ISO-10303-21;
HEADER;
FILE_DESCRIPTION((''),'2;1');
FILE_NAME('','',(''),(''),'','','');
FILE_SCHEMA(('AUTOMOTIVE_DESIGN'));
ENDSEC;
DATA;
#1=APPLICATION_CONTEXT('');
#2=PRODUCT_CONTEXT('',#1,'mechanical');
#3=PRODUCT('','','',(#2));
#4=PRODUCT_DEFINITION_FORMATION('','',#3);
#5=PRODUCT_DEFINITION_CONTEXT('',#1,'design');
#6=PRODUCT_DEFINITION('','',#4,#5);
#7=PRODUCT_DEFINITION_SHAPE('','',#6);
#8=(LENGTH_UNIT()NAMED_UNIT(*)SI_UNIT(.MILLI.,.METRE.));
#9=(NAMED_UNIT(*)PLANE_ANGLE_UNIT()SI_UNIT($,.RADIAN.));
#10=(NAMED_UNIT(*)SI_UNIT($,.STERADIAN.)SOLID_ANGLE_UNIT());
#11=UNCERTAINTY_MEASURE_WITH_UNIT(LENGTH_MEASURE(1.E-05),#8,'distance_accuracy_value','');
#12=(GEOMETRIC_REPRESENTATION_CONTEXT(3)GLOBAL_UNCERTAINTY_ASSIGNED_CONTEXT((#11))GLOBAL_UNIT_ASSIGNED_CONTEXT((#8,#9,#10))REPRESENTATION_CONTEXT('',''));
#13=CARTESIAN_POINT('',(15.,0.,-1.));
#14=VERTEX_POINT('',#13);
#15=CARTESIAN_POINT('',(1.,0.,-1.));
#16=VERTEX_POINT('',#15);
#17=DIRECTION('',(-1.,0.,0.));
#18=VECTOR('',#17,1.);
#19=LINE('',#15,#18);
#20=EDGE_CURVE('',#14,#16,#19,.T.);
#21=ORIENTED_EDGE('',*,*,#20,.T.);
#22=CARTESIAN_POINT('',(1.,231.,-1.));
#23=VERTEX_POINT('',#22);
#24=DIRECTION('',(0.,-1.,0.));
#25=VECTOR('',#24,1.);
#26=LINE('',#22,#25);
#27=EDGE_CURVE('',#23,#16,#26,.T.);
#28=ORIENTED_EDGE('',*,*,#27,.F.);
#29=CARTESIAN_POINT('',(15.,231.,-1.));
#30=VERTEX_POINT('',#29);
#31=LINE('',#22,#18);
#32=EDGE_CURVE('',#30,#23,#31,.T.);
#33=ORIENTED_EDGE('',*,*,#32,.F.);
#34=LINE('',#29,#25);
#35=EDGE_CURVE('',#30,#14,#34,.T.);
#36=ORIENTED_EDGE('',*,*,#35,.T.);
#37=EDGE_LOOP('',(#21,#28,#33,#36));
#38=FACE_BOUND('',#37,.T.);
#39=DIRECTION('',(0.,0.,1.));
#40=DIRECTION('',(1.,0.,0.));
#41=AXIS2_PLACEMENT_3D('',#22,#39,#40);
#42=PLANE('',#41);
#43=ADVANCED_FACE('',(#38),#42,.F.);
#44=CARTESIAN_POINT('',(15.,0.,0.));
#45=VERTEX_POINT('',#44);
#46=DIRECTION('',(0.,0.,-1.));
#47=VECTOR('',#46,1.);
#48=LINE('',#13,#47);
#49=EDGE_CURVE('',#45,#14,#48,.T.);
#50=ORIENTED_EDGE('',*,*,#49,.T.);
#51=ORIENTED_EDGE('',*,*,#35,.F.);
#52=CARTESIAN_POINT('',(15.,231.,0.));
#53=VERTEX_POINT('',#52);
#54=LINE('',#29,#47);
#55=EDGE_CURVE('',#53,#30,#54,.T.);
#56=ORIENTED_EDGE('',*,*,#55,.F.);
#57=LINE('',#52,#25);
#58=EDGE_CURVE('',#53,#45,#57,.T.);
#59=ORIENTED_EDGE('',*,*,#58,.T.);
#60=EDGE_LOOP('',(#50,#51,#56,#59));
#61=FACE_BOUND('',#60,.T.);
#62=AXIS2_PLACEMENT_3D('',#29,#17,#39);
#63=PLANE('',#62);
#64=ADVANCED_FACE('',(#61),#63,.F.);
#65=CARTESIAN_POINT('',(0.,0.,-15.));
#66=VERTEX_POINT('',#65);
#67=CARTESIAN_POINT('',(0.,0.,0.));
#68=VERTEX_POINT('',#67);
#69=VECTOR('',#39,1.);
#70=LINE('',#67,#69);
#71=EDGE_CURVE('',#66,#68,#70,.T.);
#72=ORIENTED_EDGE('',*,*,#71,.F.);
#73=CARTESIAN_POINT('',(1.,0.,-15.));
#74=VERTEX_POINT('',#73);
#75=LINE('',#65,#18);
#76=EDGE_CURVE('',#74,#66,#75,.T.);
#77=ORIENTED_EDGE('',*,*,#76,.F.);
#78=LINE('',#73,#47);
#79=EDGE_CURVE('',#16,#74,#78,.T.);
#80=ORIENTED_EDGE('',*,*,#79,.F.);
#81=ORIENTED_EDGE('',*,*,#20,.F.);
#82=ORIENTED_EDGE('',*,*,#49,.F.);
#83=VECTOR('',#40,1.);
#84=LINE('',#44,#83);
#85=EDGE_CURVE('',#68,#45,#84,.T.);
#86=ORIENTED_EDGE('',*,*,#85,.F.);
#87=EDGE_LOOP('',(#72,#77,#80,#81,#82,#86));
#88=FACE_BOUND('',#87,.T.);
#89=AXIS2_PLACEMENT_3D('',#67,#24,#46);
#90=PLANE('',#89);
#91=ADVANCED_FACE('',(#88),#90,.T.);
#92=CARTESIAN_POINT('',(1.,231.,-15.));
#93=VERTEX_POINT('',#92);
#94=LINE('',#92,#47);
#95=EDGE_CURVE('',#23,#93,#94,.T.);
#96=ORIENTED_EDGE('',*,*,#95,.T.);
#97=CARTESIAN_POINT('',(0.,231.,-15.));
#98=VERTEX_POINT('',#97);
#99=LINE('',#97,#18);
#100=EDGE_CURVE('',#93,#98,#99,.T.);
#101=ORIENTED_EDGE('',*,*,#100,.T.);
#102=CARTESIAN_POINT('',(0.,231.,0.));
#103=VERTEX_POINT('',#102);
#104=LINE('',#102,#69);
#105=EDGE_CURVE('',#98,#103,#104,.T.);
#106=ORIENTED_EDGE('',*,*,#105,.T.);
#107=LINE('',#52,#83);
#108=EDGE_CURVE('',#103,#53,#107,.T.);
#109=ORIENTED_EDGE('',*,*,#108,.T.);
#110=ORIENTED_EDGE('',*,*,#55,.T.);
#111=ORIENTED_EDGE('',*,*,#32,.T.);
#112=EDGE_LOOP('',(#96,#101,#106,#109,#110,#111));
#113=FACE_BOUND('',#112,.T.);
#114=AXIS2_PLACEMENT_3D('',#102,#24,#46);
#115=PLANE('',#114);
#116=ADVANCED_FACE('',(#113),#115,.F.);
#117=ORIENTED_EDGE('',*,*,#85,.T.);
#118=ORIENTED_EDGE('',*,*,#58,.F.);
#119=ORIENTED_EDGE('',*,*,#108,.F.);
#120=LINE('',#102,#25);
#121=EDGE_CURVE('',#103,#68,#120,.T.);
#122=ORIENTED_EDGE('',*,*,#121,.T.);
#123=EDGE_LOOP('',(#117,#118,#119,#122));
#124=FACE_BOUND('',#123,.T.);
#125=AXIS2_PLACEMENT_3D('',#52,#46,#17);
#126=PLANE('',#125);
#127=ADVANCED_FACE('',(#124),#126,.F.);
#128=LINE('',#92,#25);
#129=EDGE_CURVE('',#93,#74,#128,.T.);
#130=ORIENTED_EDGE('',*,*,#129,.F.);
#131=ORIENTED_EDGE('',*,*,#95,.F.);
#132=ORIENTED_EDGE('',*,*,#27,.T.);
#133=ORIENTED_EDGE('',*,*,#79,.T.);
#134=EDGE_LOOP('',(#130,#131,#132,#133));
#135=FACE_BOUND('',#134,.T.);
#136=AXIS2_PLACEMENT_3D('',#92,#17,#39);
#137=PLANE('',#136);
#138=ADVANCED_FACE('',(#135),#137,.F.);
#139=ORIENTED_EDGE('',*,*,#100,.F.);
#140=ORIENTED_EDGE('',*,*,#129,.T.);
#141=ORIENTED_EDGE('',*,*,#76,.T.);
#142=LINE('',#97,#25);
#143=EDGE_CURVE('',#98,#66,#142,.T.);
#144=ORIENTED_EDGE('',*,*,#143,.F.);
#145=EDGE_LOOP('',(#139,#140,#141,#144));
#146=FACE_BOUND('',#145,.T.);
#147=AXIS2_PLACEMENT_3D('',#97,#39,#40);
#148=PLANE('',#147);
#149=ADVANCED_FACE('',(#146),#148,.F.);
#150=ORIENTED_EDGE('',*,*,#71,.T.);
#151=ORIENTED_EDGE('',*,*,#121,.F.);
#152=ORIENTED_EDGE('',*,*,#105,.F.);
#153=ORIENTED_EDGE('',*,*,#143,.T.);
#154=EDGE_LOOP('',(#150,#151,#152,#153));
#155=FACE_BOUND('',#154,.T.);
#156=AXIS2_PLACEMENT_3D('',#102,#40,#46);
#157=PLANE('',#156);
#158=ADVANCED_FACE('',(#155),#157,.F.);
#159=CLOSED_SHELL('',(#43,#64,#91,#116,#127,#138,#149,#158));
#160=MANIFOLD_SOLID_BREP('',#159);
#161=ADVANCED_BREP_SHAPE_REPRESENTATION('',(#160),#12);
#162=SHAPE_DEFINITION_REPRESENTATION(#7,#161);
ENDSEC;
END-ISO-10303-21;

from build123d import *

# Parameters (mm, degrees)
EXTRUDE_1_DEPTH = 231


with BuildPart() as part:
    # Эскиз1 → Бобышка-Вытянуть1 (new body)
    with BuildSketch(Plane(origin=(0, 0, 0), x_dir=(1, 0, 0), z_dir=(0, 1, 0))):
        Polygon((0, 0), (0, 15), (1, 15), (1, 1), (15, 1), (15, 0), align=None)
    extrude(amount=EXTRUDE_1_DEPTH)


solid = part.part
